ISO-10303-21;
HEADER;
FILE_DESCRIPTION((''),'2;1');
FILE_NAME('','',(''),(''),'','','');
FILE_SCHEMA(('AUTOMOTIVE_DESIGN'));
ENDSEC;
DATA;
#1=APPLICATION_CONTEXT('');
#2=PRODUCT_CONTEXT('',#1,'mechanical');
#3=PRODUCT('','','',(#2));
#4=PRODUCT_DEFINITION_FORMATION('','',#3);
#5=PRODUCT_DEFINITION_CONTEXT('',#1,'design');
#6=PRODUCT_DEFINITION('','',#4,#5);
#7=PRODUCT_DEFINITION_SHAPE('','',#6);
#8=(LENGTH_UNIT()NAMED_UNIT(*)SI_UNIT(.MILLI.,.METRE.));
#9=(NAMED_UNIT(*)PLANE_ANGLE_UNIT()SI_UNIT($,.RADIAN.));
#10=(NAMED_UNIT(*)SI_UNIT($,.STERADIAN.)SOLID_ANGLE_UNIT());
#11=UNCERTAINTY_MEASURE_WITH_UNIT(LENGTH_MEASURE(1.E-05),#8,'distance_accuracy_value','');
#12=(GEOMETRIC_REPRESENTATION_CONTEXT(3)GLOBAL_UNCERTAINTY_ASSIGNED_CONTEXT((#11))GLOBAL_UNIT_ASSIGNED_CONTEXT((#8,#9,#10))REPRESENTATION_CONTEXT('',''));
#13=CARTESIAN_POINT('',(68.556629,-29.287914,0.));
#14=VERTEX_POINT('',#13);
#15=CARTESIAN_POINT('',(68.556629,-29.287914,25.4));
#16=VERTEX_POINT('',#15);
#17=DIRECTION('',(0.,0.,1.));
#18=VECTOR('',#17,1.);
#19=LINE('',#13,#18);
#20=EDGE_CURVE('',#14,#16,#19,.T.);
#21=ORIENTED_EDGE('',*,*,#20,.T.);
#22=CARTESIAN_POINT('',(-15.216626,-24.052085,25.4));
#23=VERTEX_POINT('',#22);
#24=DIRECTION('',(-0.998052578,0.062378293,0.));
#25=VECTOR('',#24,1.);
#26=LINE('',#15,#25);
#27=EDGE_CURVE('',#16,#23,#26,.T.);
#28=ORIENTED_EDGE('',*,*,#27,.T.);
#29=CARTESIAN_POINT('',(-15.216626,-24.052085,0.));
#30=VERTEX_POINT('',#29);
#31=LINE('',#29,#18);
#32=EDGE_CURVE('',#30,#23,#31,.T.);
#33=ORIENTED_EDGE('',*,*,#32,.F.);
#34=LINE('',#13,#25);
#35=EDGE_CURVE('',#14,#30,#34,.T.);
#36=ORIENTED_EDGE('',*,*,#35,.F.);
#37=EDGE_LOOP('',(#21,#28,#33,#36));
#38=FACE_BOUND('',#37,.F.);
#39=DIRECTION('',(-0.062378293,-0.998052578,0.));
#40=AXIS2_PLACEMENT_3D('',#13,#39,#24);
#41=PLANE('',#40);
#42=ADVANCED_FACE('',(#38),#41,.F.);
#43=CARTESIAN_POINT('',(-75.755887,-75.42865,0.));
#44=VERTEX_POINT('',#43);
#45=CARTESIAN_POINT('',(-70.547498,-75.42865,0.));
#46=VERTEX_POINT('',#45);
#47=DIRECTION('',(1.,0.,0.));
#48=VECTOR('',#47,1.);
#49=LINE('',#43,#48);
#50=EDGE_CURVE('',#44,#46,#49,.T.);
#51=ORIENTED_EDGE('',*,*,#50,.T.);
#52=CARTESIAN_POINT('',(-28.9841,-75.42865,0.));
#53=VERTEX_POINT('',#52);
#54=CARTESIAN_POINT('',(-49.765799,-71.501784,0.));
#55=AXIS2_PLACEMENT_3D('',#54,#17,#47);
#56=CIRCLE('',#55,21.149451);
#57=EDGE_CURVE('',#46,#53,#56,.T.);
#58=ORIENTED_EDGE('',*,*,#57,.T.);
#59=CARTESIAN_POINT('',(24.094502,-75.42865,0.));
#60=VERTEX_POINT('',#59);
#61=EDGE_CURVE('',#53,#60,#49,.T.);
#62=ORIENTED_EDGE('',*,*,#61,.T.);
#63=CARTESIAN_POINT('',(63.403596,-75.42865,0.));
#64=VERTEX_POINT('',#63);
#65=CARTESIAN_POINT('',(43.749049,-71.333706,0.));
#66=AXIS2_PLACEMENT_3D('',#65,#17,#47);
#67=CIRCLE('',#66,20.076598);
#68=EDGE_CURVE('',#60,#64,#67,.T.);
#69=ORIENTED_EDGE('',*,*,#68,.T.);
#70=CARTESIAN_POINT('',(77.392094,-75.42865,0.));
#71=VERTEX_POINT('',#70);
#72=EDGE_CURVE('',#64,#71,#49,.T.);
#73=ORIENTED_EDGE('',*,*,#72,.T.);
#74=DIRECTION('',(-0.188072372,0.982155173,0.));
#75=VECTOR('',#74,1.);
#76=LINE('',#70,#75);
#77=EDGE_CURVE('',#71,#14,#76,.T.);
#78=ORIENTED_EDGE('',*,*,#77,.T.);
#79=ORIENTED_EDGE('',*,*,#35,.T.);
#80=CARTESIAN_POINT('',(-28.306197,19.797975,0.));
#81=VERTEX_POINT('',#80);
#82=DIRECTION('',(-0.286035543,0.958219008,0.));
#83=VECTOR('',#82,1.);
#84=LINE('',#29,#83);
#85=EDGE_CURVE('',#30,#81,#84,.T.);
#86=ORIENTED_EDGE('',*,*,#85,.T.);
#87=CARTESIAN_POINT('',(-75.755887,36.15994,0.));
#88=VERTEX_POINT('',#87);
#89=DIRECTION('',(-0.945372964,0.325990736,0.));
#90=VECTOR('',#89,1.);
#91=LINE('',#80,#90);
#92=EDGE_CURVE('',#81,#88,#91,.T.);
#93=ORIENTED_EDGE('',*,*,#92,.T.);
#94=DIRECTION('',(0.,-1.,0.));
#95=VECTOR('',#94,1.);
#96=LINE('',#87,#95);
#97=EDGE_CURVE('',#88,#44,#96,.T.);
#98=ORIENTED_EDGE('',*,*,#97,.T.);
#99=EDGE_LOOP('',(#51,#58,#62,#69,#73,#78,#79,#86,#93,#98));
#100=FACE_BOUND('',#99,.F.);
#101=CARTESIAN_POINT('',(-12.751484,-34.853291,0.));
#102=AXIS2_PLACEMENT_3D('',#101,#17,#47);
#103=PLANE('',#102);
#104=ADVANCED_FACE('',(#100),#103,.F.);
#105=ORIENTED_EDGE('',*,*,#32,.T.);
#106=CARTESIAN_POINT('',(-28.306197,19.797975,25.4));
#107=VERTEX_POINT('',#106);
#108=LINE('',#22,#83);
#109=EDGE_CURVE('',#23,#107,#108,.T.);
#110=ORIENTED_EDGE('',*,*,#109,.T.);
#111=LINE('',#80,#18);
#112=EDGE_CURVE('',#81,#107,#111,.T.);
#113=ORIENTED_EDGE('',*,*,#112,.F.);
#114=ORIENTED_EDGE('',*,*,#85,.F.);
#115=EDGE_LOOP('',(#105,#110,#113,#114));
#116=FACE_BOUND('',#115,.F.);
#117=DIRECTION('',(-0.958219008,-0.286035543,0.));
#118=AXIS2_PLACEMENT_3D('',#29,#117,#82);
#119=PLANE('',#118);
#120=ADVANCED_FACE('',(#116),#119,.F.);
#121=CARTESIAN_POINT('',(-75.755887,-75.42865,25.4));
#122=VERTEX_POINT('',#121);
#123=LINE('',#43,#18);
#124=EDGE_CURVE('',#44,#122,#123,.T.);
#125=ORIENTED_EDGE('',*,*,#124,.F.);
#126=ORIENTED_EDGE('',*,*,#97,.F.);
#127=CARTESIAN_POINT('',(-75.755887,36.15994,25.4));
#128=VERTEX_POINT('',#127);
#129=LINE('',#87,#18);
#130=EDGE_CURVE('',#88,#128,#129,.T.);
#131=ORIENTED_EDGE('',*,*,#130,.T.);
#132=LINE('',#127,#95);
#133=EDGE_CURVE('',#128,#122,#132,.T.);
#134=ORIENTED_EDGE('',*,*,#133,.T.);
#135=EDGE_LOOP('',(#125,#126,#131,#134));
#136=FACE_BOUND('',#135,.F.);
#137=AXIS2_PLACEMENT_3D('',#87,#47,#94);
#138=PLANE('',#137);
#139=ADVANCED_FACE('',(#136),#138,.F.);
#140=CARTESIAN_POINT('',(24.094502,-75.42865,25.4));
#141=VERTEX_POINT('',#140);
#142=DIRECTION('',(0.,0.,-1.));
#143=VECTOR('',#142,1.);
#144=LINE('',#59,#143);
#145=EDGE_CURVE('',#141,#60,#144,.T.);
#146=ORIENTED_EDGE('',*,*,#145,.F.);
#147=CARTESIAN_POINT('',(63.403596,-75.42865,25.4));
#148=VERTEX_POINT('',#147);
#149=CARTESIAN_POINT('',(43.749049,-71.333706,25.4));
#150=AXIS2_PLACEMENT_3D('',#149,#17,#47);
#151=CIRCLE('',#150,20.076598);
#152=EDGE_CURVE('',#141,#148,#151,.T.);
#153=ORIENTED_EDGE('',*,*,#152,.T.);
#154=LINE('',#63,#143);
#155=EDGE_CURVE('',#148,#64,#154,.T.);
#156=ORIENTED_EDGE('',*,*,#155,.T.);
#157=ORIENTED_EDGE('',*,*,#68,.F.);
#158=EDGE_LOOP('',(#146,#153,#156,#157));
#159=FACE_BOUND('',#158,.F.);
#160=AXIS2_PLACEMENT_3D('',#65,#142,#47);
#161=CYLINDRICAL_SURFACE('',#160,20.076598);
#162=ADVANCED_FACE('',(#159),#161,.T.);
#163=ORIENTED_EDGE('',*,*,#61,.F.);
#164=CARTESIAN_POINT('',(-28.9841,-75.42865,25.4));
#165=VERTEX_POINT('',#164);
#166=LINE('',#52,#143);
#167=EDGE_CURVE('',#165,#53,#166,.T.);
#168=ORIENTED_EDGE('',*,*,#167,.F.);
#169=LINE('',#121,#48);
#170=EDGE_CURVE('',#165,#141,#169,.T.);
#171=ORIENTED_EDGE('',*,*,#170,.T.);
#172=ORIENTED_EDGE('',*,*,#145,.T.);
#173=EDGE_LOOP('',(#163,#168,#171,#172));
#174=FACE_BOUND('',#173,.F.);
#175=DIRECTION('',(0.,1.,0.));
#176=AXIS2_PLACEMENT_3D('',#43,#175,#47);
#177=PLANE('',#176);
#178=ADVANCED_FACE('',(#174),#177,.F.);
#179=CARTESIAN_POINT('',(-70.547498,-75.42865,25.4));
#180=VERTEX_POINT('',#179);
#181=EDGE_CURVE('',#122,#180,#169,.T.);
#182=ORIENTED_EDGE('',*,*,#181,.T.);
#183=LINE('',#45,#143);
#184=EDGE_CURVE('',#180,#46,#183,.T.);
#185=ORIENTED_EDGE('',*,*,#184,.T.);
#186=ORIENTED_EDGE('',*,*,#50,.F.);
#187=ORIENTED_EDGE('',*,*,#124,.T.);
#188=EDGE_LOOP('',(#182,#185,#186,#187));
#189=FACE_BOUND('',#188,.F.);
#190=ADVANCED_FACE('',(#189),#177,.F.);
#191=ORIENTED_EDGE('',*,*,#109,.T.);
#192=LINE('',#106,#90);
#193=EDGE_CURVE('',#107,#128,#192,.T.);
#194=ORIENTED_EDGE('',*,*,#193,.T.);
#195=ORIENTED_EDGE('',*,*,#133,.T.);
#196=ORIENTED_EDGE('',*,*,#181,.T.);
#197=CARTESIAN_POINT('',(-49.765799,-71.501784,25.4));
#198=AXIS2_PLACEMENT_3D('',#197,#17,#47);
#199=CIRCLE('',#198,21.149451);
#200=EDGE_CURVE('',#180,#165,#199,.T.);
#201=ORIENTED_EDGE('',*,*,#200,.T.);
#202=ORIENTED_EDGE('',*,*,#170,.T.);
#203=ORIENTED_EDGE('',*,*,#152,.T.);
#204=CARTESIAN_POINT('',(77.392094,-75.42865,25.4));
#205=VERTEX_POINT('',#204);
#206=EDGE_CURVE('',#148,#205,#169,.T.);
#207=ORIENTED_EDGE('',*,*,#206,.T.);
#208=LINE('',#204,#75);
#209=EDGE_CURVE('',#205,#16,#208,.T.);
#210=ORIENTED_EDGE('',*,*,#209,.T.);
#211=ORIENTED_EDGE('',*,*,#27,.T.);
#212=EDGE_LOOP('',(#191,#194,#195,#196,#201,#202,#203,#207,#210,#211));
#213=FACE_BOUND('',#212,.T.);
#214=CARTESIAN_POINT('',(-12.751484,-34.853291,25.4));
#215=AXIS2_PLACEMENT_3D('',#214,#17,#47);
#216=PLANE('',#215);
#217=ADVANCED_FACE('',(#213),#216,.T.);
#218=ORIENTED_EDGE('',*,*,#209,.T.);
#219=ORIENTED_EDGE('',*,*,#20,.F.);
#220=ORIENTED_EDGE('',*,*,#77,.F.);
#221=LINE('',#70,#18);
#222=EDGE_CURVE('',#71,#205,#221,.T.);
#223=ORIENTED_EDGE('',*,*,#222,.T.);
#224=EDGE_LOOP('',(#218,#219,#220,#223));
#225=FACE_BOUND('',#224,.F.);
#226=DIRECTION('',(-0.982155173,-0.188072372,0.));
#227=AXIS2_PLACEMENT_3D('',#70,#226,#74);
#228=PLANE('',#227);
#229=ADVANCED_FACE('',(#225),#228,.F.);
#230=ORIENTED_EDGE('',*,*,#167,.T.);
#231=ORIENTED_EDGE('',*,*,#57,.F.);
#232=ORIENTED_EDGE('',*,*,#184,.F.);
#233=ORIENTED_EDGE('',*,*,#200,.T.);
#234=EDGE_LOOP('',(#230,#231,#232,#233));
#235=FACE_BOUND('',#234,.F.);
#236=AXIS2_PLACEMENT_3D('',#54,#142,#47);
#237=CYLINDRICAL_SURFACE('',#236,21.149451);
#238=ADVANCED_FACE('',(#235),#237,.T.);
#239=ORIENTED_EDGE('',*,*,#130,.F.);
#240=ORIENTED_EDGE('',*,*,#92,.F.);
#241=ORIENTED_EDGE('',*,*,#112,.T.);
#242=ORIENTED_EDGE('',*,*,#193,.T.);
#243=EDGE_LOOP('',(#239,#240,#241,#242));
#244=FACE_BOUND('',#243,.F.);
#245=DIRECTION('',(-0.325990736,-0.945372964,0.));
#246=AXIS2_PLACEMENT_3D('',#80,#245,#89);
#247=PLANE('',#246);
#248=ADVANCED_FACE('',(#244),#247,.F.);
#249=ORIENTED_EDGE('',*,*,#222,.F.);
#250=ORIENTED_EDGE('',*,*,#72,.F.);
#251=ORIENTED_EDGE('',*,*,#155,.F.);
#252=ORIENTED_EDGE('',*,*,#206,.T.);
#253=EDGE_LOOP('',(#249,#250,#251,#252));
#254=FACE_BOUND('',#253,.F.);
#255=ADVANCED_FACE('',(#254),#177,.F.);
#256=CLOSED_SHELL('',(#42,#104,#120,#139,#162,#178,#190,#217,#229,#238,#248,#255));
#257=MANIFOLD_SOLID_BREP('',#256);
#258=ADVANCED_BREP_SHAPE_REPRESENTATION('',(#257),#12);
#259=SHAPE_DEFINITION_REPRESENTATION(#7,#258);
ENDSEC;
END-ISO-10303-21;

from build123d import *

# Parameters (mm, degrees)
F1_DEPTH = 25.4
F2_R     = 21.149451
F2_R_2   = 20.076598
F3_DEPTH = 25.4


with BuildPart() as f1:
    # F0 (on Top) → F1 (new body)
    with BuildSketch(Plane.XY):
        Polygon((-75.755887, 36.15994), (-75.755887, -75.42865), (77.392094, -75.42865), (68.556629, -29.287914), (-15.216626, -24.052085), (-28.306197, 19.797975), align=None)
    extrude(amount=F1_DEPTH)

    # F2 (on Top) → F3 (join)
    with BuildSketch(Plane.XY):
        with Locations((-49.765799, -71.501784)):
            Circle(F2_R)
        with Locations((43.749049, -71.333706)):
            Circle(F2_R_2)
    extrude(amount=F3_DEPTH)


solid = f1.part
